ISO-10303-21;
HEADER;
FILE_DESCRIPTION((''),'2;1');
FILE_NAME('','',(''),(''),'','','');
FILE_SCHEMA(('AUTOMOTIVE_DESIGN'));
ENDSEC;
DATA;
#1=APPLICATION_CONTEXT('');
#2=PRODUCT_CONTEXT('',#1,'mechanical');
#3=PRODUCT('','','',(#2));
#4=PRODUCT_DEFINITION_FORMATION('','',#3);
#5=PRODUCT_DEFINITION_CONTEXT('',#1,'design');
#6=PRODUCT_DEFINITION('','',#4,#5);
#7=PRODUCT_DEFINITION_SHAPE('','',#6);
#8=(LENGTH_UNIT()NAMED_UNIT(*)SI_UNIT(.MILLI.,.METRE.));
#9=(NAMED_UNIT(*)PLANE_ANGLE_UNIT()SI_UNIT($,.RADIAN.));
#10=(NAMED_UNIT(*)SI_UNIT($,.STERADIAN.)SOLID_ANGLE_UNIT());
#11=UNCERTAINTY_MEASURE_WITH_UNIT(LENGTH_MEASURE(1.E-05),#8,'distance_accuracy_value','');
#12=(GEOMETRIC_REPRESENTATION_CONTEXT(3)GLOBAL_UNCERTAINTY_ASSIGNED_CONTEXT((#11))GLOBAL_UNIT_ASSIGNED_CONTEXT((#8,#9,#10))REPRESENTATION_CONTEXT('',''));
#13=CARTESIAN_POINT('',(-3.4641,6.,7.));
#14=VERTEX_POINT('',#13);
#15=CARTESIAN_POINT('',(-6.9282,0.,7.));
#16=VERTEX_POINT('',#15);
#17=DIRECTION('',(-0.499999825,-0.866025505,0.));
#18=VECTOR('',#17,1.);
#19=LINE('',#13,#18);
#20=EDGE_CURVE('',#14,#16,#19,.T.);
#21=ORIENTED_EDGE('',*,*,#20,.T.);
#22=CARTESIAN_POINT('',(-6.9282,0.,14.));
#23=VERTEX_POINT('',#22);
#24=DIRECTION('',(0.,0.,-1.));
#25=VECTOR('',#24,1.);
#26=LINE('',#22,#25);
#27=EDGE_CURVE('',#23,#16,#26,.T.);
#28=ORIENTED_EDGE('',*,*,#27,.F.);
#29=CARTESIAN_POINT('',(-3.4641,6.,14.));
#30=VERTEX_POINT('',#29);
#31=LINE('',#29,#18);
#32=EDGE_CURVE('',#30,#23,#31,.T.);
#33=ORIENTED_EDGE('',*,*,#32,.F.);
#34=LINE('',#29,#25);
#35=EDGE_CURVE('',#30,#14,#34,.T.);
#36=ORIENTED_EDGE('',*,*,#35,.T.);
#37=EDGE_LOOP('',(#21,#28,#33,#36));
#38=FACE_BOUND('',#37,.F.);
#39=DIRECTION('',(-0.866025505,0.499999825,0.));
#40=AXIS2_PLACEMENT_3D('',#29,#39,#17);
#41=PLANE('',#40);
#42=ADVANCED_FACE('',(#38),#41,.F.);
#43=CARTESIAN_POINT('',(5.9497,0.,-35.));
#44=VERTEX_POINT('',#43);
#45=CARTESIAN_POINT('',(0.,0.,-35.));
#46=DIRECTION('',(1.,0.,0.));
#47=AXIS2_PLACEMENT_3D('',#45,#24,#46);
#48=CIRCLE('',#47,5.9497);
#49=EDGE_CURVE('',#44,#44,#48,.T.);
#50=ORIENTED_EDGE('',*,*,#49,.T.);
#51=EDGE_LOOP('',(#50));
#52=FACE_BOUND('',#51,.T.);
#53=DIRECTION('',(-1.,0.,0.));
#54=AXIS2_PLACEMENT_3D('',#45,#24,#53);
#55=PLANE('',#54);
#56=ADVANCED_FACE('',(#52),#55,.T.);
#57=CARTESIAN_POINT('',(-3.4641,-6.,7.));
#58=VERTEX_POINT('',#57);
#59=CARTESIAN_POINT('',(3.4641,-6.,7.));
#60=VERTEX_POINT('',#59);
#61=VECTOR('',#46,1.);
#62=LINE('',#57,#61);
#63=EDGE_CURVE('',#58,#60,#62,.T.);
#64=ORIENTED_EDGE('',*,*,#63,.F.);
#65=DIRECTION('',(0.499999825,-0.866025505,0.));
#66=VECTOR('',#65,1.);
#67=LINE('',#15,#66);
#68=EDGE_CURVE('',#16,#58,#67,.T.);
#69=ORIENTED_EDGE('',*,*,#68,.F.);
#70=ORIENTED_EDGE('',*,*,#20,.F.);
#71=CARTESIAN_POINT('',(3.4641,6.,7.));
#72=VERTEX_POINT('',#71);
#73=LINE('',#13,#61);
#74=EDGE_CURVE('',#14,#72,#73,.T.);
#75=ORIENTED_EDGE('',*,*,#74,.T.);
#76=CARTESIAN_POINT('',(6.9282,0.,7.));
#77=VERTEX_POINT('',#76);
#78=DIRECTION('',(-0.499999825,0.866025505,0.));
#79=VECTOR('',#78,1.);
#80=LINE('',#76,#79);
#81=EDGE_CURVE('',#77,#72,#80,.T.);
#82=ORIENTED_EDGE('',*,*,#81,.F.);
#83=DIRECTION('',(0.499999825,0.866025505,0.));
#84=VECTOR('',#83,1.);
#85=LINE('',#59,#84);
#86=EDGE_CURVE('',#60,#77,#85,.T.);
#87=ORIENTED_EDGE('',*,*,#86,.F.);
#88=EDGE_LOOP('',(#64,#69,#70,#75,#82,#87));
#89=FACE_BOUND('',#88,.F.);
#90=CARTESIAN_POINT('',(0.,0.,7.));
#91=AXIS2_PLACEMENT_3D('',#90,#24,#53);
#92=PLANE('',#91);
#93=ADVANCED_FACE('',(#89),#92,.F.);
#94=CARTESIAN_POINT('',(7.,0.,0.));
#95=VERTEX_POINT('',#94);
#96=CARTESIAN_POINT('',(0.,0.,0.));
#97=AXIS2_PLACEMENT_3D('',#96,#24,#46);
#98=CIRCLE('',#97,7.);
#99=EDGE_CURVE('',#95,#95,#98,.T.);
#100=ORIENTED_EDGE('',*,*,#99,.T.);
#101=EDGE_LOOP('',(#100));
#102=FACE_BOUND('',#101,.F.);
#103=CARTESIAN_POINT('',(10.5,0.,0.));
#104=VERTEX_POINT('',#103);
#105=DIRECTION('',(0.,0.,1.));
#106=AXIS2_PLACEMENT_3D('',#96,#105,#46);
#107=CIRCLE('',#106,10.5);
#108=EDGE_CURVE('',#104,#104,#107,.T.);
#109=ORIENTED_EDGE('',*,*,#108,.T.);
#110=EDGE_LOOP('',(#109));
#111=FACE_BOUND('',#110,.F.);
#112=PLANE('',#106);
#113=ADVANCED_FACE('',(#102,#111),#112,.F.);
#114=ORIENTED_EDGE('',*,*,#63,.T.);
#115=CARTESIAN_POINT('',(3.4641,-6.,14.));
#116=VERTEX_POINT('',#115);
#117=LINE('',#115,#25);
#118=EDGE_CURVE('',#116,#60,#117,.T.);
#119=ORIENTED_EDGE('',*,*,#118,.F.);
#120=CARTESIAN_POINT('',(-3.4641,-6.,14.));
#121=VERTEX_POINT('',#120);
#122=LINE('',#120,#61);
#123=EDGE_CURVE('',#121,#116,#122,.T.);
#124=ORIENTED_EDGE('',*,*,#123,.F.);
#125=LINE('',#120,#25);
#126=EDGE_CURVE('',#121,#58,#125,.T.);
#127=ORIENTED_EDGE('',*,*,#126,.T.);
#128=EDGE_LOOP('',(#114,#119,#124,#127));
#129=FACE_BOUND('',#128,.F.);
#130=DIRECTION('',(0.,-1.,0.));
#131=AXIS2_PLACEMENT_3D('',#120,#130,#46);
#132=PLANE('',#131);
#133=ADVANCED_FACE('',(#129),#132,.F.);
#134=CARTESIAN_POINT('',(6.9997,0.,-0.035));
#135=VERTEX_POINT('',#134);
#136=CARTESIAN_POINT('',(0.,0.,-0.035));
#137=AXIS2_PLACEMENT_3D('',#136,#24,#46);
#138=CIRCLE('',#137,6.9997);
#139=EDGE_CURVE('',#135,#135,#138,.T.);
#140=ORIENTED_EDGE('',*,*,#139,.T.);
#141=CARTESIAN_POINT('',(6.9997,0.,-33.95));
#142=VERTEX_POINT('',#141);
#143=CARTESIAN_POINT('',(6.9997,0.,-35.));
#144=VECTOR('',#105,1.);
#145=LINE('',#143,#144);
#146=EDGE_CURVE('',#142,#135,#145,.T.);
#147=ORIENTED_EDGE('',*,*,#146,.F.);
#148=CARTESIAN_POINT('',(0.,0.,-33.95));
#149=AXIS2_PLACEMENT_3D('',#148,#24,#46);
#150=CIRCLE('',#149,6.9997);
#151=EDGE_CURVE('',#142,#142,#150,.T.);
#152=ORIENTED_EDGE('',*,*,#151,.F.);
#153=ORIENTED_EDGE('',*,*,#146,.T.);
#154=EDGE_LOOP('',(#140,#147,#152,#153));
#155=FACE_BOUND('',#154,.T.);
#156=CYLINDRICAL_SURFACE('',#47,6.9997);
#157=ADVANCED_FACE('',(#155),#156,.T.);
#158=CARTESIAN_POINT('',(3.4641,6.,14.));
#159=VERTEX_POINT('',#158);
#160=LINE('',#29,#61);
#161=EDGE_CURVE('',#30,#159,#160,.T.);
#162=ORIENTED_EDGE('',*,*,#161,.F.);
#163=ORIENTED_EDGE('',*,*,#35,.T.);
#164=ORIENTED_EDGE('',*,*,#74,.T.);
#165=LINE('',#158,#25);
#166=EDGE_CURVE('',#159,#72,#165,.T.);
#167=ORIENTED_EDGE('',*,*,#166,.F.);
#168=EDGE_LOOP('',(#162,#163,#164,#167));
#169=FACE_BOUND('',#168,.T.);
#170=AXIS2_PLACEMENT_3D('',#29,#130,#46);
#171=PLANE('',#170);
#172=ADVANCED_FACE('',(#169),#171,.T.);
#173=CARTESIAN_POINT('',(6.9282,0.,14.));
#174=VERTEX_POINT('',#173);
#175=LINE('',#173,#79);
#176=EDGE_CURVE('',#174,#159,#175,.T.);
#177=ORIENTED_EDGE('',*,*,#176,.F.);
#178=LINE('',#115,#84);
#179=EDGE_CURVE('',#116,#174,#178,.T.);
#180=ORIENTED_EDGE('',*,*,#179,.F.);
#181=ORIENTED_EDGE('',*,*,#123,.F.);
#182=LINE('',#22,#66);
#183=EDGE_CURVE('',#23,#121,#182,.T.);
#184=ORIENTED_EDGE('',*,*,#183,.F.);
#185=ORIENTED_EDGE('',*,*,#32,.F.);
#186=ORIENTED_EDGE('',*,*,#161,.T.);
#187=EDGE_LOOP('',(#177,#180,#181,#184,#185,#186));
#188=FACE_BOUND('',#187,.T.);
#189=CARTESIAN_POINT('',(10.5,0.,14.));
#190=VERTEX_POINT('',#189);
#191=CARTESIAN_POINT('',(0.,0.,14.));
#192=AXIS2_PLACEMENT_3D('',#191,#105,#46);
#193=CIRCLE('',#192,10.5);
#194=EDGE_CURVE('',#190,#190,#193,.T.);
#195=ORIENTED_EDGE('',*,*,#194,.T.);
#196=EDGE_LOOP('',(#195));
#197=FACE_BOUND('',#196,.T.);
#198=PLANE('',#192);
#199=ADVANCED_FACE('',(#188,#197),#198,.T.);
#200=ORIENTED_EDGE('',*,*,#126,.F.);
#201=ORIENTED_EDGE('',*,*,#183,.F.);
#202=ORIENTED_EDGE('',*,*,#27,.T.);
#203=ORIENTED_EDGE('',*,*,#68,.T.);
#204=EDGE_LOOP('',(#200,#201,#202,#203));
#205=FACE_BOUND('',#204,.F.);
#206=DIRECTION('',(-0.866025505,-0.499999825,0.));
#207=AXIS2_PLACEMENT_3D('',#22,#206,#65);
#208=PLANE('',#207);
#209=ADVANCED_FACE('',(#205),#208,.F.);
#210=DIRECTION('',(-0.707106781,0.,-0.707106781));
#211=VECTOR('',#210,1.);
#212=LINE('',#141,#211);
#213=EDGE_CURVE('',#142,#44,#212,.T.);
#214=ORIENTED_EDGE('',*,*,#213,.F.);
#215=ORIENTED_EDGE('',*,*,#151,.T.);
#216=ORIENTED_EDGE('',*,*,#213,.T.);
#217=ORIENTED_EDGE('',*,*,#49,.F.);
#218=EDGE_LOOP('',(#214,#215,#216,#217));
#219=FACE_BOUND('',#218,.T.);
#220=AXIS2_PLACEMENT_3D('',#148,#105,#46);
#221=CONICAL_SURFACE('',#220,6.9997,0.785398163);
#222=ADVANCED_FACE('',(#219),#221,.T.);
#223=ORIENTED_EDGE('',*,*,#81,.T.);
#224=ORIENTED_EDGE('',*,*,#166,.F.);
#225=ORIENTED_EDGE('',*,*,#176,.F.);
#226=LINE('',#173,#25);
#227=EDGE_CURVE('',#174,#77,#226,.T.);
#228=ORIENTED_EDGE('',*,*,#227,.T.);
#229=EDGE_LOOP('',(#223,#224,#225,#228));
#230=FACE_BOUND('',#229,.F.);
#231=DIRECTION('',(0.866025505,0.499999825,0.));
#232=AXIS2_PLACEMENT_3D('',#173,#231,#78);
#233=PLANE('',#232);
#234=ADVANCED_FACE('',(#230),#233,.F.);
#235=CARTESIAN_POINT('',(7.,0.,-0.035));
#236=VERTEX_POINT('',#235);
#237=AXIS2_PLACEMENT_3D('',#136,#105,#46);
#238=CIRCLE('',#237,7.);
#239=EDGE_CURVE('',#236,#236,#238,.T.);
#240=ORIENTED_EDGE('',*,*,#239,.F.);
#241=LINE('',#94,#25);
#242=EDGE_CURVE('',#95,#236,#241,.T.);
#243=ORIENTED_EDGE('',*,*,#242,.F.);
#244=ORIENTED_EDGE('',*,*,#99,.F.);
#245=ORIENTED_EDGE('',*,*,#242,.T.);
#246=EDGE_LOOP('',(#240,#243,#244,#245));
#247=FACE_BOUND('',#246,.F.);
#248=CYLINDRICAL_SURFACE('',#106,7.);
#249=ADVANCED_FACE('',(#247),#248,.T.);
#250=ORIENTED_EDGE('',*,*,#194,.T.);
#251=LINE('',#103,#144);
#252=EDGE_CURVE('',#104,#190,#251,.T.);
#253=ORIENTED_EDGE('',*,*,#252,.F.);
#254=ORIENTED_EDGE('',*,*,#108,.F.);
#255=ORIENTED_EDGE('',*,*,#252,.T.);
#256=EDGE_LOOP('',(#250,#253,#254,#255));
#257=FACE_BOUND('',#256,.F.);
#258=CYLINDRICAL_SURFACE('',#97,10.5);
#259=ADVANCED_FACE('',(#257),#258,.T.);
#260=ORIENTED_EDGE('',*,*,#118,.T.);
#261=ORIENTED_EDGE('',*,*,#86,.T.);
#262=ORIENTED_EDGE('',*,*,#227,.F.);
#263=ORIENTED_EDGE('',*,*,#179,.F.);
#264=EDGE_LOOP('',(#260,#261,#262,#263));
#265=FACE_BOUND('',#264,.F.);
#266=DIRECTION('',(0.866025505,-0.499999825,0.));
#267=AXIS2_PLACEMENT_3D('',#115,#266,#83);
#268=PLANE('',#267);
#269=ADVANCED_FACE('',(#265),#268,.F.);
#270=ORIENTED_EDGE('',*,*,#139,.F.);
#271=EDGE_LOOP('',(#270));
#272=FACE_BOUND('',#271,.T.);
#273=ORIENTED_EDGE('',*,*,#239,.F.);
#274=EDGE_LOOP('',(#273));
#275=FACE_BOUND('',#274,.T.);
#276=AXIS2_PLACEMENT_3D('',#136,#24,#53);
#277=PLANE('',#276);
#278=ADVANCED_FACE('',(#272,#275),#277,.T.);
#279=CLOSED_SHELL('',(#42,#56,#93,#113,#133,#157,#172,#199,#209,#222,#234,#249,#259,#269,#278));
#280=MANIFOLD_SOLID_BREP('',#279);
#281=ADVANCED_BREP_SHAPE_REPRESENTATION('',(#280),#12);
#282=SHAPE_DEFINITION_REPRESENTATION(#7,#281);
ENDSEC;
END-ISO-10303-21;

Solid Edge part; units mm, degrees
sketch "Sketch1" plane through (0, 0, 0) normal (0, 0, 1) x (1, 0, 0)
  circle A0 centre (0, 0) radius 10.5
  dimension "D1" = 21
extrude "Protrusion1" add sketch "Sketch1" along normal blind 14
sketch "Sketch2" plane through (0, 0, 0) normal (0, 0, -1) x (1, 0, 0)
  circle A0 centre (0, 0) radius 7
extrude "Protrusion2" add sketch "Sketch2" along normal blind 35
sketch "Sketch3" plane through (0, 0, -35) normal (0, 0, -1) x (1, 0, 0)
  circle A0 centre (0, 0) radius 6.9997
extrude "Cutout1" cut sketch "Sketch3" against normal blind 34.965 flip side to cut
chamfer "Chamfer_1" distance 1.05 angle 45 1 edges at (-6.9997, 0, -35)
sketch "Sketch4" plane through (0, 0, 14) normal (0, 0, 1) x (1, 0, 0)
  line L0 (-3.4641, 6) -> (3.4641, 6)
  line L1 (6.9282, 0) -> (3.4641, 6)
  line L2 (3.4641, -6) -> (6.9282, 0)
  line L3 (-3.4641, -6) -> (3.4641, -6)
  line L4 (-6.9282, 0) -> (-3.4641, -6)
  line L5 (-3.4641, 6) -> (-6.9282, 0)
  dimension "D1" = 12
extrude "Cutout2" cut sketch "Sketch4" against normal blind 7
properties part number "117527"
